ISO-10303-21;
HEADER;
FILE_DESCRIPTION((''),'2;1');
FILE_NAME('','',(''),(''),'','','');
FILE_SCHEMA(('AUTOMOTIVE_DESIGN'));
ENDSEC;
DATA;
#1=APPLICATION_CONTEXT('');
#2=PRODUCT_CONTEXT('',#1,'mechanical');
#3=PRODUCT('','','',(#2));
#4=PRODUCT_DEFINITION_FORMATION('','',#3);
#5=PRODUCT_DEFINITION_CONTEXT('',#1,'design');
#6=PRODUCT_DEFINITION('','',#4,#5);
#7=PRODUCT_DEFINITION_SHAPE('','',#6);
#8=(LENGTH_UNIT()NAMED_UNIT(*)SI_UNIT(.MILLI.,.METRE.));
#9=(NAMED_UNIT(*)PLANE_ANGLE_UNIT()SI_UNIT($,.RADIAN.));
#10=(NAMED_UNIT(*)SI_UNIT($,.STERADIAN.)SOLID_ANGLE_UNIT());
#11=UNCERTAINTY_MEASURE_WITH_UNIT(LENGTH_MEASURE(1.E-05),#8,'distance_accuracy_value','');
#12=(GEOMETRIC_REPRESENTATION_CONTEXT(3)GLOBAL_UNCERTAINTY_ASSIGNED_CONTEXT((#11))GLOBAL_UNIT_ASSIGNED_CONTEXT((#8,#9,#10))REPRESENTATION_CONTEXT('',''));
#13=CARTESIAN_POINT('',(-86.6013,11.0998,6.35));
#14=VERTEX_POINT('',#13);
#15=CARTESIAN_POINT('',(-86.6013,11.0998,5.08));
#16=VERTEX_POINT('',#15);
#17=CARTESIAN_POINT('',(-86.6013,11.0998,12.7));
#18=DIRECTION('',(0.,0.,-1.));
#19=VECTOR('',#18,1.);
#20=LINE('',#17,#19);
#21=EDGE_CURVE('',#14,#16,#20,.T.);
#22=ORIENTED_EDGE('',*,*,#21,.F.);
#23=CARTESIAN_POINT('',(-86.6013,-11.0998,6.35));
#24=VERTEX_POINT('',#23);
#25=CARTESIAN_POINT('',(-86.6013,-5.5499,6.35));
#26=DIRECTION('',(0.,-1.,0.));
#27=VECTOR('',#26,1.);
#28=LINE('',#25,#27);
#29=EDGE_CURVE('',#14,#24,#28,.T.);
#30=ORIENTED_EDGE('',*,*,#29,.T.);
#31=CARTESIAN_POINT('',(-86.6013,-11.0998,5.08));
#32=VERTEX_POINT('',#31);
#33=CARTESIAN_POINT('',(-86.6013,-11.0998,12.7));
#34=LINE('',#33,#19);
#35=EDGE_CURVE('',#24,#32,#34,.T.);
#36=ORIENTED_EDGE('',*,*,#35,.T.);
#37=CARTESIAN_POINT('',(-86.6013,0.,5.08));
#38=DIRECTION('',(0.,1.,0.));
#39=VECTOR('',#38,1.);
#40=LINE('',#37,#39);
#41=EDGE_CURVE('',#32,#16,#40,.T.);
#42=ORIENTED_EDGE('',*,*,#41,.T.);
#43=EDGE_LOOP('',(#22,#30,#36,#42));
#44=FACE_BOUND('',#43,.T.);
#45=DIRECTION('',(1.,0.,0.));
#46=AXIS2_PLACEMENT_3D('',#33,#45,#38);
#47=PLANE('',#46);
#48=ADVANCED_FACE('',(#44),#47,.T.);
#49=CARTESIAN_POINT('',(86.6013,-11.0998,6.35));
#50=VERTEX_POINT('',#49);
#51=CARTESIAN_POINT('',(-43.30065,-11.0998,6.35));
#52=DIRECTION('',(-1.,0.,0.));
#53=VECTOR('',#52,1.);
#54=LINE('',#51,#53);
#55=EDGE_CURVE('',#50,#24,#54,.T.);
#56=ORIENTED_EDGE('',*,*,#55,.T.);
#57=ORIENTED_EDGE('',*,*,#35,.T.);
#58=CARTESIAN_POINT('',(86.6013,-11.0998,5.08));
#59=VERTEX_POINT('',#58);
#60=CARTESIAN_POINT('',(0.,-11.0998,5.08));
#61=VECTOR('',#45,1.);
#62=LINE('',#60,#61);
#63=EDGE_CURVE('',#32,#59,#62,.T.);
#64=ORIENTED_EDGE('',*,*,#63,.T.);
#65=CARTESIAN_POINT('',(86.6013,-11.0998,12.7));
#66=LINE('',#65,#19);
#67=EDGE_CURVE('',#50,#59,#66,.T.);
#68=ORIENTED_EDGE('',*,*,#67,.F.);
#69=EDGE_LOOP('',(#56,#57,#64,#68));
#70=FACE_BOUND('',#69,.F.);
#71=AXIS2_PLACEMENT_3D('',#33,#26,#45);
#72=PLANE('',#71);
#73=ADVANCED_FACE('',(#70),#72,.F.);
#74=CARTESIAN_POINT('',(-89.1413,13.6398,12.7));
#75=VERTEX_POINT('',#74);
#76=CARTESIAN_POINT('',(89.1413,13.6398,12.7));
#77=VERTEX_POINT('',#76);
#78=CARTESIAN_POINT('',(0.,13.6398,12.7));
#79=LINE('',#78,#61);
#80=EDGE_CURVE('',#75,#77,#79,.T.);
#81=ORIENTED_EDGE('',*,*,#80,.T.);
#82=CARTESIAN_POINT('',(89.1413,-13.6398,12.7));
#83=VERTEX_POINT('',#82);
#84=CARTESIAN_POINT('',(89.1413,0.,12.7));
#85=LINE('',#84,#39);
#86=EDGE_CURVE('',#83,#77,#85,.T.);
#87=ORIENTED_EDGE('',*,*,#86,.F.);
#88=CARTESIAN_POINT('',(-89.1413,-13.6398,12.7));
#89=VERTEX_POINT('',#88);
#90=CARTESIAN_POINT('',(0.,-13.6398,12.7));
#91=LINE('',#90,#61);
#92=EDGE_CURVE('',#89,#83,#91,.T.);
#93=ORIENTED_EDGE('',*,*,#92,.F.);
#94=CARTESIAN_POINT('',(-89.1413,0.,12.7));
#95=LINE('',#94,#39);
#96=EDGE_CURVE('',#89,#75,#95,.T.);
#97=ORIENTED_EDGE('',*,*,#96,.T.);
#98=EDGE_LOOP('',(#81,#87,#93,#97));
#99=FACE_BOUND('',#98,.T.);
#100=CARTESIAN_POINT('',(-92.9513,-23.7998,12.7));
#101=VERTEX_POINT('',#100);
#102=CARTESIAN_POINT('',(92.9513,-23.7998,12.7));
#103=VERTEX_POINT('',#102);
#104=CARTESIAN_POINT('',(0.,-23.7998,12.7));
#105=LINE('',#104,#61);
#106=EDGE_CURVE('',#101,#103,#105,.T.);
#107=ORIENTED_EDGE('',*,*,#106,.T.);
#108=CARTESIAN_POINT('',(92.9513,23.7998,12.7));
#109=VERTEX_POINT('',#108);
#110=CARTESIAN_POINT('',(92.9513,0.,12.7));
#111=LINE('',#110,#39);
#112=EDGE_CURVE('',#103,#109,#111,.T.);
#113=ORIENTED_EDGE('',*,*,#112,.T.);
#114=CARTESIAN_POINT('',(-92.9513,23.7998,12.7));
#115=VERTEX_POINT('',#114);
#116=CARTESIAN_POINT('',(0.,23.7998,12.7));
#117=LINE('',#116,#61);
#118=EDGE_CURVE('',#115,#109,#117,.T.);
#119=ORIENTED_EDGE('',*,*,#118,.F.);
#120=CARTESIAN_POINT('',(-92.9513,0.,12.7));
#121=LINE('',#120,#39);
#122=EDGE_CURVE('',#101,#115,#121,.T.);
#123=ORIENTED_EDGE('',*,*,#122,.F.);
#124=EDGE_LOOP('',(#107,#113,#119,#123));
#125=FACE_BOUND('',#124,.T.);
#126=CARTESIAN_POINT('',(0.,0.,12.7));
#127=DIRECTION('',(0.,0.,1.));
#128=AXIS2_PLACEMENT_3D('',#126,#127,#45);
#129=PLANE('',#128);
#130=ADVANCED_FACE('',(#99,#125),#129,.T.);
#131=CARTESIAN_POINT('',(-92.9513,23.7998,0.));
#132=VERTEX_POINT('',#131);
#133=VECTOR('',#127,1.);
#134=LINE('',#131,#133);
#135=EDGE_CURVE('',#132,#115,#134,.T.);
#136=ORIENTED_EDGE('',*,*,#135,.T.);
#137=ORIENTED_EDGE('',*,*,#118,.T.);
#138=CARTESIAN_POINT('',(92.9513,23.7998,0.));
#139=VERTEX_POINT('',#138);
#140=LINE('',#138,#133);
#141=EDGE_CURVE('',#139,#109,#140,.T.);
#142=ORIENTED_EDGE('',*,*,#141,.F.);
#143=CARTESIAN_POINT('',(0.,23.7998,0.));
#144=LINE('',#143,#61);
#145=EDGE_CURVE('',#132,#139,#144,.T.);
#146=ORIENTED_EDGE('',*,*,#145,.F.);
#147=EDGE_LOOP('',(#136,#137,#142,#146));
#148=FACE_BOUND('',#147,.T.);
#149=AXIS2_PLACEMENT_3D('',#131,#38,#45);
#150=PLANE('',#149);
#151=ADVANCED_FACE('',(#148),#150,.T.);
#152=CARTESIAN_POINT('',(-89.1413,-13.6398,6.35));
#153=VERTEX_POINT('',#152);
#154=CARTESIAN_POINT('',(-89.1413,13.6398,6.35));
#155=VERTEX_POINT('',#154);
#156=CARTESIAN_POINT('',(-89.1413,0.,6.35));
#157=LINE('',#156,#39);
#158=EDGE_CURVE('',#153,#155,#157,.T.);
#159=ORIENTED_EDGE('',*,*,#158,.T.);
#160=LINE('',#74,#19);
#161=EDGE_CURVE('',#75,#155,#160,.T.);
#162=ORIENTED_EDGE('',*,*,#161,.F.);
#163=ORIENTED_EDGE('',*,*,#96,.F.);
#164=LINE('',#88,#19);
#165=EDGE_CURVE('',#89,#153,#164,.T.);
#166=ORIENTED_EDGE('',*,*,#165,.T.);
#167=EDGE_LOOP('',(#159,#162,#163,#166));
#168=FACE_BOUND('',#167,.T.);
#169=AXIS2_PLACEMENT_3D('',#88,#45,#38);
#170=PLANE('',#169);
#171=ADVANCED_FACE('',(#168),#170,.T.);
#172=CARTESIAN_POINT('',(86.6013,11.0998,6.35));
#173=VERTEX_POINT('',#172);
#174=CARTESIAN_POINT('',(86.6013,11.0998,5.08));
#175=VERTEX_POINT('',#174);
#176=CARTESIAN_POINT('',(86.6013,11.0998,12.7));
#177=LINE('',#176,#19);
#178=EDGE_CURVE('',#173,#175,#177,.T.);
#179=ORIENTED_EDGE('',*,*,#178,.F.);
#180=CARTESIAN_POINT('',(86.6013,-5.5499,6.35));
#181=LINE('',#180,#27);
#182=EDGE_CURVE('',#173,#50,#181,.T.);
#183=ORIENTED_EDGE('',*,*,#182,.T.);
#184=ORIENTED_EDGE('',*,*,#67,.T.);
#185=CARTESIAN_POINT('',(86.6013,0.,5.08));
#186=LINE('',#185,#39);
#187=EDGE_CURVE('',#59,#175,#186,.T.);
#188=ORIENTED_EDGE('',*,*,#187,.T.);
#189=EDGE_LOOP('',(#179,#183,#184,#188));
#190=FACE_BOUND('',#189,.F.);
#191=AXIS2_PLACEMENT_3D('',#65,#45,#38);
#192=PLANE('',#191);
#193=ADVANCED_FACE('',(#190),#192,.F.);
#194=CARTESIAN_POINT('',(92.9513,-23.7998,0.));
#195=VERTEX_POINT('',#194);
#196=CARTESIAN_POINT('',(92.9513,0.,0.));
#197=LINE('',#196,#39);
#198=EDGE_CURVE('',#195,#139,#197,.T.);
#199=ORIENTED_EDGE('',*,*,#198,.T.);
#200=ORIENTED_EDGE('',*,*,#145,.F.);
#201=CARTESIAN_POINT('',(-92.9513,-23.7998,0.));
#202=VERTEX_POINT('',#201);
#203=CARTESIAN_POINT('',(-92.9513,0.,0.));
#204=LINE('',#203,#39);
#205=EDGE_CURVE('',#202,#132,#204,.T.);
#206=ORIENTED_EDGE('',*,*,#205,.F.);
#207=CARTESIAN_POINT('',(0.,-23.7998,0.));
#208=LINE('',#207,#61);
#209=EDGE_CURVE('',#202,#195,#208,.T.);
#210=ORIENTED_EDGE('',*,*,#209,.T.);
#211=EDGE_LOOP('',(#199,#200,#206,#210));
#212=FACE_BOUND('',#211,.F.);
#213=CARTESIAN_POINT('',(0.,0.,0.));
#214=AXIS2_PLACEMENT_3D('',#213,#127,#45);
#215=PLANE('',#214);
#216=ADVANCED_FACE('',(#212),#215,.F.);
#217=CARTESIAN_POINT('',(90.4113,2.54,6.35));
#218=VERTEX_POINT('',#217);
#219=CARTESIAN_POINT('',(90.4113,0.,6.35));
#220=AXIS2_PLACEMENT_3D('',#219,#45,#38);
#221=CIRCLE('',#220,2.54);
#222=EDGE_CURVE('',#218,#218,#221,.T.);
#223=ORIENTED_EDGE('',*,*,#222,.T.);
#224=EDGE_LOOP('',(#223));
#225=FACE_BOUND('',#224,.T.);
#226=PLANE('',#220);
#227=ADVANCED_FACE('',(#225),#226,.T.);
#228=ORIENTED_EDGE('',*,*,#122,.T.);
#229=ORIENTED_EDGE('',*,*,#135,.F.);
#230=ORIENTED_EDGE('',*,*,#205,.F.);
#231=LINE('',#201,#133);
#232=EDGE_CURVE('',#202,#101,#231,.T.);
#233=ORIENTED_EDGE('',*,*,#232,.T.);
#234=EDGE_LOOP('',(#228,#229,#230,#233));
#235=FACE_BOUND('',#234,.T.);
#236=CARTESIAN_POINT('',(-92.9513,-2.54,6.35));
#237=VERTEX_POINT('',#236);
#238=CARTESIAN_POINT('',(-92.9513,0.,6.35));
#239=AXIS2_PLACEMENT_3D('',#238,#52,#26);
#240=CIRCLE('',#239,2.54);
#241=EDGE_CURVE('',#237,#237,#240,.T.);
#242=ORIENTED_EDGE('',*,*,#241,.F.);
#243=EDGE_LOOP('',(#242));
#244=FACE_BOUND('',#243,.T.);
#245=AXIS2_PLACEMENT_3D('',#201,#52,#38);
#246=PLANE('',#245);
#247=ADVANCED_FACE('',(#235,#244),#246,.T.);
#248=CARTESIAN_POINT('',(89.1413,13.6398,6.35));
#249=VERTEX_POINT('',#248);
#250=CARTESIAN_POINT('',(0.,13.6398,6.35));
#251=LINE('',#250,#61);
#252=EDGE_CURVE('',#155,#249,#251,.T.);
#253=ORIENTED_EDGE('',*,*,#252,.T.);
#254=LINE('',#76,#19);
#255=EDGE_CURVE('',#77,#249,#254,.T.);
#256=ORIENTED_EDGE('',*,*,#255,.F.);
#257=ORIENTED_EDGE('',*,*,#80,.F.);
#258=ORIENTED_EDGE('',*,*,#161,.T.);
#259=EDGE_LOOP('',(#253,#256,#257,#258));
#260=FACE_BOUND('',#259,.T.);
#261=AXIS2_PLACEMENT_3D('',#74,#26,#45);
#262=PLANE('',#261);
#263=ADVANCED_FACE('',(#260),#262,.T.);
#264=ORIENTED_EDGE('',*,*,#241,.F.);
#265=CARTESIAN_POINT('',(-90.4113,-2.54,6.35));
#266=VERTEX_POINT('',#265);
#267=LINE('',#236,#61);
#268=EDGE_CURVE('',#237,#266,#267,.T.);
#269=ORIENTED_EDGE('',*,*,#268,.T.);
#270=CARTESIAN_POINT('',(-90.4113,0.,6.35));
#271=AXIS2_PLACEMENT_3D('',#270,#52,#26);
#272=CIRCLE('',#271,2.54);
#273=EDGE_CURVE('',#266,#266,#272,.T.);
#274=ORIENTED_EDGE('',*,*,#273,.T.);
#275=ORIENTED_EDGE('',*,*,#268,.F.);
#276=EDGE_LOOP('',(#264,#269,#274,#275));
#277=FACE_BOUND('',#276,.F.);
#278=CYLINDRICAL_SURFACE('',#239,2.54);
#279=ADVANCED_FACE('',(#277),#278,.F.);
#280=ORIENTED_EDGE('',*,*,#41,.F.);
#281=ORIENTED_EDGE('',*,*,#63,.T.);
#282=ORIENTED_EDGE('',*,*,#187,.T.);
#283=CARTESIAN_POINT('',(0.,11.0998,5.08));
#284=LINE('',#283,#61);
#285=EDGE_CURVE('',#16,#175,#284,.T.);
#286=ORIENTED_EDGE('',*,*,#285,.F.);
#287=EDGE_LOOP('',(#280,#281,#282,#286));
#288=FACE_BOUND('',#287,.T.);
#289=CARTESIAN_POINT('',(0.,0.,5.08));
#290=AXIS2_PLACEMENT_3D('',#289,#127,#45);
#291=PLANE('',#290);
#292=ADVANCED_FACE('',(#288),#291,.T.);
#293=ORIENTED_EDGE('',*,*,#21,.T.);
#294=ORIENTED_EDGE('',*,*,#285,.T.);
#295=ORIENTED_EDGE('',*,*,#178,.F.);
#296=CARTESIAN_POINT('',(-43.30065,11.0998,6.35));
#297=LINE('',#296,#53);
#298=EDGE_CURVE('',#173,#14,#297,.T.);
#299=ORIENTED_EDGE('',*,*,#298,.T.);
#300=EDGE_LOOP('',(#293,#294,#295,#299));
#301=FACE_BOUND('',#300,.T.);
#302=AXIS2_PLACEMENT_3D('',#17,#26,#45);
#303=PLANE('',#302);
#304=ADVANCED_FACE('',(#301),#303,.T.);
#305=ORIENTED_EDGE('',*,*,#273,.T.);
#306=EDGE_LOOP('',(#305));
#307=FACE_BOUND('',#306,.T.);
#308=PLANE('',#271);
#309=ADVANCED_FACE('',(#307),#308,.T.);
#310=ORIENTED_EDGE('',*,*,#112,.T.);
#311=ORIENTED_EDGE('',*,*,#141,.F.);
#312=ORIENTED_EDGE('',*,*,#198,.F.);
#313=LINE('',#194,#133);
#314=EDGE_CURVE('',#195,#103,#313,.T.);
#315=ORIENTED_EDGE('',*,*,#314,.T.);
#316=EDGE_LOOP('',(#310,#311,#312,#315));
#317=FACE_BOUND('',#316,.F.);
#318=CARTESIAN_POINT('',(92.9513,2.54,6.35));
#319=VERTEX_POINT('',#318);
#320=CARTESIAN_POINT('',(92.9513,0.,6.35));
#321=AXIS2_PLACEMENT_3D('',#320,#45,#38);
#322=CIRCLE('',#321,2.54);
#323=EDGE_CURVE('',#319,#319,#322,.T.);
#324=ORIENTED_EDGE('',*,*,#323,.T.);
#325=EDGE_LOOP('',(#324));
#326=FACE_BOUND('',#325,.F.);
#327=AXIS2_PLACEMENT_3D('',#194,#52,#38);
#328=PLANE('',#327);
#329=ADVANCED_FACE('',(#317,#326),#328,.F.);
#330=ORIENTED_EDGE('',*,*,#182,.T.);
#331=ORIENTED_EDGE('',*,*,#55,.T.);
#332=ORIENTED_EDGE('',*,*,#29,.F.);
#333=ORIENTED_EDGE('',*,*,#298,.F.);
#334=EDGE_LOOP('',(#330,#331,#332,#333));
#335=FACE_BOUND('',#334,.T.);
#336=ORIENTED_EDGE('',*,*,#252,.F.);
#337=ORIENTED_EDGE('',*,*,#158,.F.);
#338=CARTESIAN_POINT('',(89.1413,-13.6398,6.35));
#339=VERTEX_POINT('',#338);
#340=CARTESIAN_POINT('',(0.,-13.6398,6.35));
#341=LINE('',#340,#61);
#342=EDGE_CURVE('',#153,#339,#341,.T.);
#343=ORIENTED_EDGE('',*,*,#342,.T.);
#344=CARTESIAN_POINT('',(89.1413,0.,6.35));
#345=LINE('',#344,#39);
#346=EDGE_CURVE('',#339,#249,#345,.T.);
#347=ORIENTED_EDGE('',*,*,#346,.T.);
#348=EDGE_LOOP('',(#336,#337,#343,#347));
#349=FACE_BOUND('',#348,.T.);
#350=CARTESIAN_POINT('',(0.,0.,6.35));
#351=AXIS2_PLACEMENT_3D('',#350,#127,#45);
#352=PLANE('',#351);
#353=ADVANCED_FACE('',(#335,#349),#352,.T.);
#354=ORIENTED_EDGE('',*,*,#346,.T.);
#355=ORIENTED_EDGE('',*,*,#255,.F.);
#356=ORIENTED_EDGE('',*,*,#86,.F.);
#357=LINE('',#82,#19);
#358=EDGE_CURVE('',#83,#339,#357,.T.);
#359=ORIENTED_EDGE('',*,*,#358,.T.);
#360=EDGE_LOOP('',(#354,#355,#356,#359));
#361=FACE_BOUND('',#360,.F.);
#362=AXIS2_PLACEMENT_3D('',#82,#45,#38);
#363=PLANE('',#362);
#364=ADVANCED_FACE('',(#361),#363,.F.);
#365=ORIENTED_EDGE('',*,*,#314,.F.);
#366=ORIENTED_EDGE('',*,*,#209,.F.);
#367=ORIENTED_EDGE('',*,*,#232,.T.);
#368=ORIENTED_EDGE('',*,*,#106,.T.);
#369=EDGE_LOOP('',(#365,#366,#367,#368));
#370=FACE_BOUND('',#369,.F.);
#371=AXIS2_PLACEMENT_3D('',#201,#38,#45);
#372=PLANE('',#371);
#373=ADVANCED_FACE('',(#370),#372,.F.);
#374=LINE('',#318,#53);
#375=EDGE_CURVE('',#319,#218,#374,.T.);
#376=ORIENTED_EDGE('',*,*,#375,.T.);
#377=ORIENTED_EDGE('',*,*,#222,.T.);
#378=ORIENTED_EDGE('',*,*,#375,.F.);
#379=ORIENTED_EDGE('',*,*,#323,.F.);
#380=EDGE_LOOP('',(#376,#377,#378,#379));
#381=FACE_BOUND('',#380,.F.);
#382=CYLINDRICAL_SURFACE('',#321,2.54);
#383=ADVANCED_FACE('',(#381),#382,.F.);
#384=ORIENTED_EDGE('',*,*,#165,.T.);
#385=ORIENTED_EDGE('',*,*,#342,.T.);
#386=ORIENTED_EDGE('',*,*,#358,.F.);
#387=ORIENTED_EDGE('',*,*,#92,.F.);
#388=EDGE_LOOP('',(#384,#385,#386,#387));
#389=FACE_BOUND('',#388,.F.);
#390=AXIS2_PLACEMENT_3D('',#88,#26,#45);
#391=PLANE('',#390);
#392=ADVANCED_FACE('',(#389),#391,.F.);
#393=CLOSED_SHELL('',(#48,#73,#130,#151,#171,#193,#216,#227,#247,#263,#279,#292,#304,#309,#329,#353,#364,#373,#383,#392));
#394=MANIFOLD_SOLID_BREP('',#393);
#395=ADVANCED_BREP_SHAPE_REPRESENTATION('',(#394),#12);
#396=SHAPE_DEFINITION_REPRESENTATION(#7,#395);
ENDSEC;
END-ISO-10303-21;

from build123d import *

# Parameters (mm, degrees)
F0_W     = 185.9026
F0_H     = 47.5996
F1_DEPTH = 12.7
F2_R     = 2.54
F3_DEPTH = 2.54
F4_R     = 2.54
F5_DEPTH = 2.54
F6_W     = 173.2026
F6_H     = 22.1996
F7_DEPTH = 7.62
F8_W     = 178.2826
F8_H     = 27.2796
F9_DEPTH = 6.35


with BuildPart() as f1:
    # F0 (on Top) → F1 (new body)
    with BuildSketch(Plane.XY):
        Rectangle(F0_W, F0_H)
    extrude(amount=F1_DEPTH)

    # F2 (on face) → F3 (cut)
    with BuildSketch(Plane.YZ.offset(92.9513)):
        with Locations((0, 6.35)):
            Circle(F2_R)
    extrude(amount=-F3_DEPTH, mode=Mode.SUBTRACT)

    # F4 (on face) → F5 (cut)
    with BuildSketch(Plane(origin=(-92.9513, 0, 0), x_dir=(0, -1, 0), z_dir=(-1, 0, 0))):
        with Locations((0, 6.35)):
            Circle(F4_R)
    extrude(amount=-F5_DEPTH, mode=Mode.SUBTRACT)

    # F6 (on face) → F7 (cut)
    with BuildSketch(Plane.XY.offset(12.7)):
        Rectangle(F6_W, F6_H)
    extrude(amount=-F7_DEPTH, mode=Mode.SUBTRACT)

    # F8 (on face) → F9 (cut)
    with BuildSketch(Plane.XY.offset(12.7)):
        Rectangle(F8_W, F8_H)
    extrude(amount=-F9_DEPTH, mode=Mode.SUBTRACT)


solid = f1.part
